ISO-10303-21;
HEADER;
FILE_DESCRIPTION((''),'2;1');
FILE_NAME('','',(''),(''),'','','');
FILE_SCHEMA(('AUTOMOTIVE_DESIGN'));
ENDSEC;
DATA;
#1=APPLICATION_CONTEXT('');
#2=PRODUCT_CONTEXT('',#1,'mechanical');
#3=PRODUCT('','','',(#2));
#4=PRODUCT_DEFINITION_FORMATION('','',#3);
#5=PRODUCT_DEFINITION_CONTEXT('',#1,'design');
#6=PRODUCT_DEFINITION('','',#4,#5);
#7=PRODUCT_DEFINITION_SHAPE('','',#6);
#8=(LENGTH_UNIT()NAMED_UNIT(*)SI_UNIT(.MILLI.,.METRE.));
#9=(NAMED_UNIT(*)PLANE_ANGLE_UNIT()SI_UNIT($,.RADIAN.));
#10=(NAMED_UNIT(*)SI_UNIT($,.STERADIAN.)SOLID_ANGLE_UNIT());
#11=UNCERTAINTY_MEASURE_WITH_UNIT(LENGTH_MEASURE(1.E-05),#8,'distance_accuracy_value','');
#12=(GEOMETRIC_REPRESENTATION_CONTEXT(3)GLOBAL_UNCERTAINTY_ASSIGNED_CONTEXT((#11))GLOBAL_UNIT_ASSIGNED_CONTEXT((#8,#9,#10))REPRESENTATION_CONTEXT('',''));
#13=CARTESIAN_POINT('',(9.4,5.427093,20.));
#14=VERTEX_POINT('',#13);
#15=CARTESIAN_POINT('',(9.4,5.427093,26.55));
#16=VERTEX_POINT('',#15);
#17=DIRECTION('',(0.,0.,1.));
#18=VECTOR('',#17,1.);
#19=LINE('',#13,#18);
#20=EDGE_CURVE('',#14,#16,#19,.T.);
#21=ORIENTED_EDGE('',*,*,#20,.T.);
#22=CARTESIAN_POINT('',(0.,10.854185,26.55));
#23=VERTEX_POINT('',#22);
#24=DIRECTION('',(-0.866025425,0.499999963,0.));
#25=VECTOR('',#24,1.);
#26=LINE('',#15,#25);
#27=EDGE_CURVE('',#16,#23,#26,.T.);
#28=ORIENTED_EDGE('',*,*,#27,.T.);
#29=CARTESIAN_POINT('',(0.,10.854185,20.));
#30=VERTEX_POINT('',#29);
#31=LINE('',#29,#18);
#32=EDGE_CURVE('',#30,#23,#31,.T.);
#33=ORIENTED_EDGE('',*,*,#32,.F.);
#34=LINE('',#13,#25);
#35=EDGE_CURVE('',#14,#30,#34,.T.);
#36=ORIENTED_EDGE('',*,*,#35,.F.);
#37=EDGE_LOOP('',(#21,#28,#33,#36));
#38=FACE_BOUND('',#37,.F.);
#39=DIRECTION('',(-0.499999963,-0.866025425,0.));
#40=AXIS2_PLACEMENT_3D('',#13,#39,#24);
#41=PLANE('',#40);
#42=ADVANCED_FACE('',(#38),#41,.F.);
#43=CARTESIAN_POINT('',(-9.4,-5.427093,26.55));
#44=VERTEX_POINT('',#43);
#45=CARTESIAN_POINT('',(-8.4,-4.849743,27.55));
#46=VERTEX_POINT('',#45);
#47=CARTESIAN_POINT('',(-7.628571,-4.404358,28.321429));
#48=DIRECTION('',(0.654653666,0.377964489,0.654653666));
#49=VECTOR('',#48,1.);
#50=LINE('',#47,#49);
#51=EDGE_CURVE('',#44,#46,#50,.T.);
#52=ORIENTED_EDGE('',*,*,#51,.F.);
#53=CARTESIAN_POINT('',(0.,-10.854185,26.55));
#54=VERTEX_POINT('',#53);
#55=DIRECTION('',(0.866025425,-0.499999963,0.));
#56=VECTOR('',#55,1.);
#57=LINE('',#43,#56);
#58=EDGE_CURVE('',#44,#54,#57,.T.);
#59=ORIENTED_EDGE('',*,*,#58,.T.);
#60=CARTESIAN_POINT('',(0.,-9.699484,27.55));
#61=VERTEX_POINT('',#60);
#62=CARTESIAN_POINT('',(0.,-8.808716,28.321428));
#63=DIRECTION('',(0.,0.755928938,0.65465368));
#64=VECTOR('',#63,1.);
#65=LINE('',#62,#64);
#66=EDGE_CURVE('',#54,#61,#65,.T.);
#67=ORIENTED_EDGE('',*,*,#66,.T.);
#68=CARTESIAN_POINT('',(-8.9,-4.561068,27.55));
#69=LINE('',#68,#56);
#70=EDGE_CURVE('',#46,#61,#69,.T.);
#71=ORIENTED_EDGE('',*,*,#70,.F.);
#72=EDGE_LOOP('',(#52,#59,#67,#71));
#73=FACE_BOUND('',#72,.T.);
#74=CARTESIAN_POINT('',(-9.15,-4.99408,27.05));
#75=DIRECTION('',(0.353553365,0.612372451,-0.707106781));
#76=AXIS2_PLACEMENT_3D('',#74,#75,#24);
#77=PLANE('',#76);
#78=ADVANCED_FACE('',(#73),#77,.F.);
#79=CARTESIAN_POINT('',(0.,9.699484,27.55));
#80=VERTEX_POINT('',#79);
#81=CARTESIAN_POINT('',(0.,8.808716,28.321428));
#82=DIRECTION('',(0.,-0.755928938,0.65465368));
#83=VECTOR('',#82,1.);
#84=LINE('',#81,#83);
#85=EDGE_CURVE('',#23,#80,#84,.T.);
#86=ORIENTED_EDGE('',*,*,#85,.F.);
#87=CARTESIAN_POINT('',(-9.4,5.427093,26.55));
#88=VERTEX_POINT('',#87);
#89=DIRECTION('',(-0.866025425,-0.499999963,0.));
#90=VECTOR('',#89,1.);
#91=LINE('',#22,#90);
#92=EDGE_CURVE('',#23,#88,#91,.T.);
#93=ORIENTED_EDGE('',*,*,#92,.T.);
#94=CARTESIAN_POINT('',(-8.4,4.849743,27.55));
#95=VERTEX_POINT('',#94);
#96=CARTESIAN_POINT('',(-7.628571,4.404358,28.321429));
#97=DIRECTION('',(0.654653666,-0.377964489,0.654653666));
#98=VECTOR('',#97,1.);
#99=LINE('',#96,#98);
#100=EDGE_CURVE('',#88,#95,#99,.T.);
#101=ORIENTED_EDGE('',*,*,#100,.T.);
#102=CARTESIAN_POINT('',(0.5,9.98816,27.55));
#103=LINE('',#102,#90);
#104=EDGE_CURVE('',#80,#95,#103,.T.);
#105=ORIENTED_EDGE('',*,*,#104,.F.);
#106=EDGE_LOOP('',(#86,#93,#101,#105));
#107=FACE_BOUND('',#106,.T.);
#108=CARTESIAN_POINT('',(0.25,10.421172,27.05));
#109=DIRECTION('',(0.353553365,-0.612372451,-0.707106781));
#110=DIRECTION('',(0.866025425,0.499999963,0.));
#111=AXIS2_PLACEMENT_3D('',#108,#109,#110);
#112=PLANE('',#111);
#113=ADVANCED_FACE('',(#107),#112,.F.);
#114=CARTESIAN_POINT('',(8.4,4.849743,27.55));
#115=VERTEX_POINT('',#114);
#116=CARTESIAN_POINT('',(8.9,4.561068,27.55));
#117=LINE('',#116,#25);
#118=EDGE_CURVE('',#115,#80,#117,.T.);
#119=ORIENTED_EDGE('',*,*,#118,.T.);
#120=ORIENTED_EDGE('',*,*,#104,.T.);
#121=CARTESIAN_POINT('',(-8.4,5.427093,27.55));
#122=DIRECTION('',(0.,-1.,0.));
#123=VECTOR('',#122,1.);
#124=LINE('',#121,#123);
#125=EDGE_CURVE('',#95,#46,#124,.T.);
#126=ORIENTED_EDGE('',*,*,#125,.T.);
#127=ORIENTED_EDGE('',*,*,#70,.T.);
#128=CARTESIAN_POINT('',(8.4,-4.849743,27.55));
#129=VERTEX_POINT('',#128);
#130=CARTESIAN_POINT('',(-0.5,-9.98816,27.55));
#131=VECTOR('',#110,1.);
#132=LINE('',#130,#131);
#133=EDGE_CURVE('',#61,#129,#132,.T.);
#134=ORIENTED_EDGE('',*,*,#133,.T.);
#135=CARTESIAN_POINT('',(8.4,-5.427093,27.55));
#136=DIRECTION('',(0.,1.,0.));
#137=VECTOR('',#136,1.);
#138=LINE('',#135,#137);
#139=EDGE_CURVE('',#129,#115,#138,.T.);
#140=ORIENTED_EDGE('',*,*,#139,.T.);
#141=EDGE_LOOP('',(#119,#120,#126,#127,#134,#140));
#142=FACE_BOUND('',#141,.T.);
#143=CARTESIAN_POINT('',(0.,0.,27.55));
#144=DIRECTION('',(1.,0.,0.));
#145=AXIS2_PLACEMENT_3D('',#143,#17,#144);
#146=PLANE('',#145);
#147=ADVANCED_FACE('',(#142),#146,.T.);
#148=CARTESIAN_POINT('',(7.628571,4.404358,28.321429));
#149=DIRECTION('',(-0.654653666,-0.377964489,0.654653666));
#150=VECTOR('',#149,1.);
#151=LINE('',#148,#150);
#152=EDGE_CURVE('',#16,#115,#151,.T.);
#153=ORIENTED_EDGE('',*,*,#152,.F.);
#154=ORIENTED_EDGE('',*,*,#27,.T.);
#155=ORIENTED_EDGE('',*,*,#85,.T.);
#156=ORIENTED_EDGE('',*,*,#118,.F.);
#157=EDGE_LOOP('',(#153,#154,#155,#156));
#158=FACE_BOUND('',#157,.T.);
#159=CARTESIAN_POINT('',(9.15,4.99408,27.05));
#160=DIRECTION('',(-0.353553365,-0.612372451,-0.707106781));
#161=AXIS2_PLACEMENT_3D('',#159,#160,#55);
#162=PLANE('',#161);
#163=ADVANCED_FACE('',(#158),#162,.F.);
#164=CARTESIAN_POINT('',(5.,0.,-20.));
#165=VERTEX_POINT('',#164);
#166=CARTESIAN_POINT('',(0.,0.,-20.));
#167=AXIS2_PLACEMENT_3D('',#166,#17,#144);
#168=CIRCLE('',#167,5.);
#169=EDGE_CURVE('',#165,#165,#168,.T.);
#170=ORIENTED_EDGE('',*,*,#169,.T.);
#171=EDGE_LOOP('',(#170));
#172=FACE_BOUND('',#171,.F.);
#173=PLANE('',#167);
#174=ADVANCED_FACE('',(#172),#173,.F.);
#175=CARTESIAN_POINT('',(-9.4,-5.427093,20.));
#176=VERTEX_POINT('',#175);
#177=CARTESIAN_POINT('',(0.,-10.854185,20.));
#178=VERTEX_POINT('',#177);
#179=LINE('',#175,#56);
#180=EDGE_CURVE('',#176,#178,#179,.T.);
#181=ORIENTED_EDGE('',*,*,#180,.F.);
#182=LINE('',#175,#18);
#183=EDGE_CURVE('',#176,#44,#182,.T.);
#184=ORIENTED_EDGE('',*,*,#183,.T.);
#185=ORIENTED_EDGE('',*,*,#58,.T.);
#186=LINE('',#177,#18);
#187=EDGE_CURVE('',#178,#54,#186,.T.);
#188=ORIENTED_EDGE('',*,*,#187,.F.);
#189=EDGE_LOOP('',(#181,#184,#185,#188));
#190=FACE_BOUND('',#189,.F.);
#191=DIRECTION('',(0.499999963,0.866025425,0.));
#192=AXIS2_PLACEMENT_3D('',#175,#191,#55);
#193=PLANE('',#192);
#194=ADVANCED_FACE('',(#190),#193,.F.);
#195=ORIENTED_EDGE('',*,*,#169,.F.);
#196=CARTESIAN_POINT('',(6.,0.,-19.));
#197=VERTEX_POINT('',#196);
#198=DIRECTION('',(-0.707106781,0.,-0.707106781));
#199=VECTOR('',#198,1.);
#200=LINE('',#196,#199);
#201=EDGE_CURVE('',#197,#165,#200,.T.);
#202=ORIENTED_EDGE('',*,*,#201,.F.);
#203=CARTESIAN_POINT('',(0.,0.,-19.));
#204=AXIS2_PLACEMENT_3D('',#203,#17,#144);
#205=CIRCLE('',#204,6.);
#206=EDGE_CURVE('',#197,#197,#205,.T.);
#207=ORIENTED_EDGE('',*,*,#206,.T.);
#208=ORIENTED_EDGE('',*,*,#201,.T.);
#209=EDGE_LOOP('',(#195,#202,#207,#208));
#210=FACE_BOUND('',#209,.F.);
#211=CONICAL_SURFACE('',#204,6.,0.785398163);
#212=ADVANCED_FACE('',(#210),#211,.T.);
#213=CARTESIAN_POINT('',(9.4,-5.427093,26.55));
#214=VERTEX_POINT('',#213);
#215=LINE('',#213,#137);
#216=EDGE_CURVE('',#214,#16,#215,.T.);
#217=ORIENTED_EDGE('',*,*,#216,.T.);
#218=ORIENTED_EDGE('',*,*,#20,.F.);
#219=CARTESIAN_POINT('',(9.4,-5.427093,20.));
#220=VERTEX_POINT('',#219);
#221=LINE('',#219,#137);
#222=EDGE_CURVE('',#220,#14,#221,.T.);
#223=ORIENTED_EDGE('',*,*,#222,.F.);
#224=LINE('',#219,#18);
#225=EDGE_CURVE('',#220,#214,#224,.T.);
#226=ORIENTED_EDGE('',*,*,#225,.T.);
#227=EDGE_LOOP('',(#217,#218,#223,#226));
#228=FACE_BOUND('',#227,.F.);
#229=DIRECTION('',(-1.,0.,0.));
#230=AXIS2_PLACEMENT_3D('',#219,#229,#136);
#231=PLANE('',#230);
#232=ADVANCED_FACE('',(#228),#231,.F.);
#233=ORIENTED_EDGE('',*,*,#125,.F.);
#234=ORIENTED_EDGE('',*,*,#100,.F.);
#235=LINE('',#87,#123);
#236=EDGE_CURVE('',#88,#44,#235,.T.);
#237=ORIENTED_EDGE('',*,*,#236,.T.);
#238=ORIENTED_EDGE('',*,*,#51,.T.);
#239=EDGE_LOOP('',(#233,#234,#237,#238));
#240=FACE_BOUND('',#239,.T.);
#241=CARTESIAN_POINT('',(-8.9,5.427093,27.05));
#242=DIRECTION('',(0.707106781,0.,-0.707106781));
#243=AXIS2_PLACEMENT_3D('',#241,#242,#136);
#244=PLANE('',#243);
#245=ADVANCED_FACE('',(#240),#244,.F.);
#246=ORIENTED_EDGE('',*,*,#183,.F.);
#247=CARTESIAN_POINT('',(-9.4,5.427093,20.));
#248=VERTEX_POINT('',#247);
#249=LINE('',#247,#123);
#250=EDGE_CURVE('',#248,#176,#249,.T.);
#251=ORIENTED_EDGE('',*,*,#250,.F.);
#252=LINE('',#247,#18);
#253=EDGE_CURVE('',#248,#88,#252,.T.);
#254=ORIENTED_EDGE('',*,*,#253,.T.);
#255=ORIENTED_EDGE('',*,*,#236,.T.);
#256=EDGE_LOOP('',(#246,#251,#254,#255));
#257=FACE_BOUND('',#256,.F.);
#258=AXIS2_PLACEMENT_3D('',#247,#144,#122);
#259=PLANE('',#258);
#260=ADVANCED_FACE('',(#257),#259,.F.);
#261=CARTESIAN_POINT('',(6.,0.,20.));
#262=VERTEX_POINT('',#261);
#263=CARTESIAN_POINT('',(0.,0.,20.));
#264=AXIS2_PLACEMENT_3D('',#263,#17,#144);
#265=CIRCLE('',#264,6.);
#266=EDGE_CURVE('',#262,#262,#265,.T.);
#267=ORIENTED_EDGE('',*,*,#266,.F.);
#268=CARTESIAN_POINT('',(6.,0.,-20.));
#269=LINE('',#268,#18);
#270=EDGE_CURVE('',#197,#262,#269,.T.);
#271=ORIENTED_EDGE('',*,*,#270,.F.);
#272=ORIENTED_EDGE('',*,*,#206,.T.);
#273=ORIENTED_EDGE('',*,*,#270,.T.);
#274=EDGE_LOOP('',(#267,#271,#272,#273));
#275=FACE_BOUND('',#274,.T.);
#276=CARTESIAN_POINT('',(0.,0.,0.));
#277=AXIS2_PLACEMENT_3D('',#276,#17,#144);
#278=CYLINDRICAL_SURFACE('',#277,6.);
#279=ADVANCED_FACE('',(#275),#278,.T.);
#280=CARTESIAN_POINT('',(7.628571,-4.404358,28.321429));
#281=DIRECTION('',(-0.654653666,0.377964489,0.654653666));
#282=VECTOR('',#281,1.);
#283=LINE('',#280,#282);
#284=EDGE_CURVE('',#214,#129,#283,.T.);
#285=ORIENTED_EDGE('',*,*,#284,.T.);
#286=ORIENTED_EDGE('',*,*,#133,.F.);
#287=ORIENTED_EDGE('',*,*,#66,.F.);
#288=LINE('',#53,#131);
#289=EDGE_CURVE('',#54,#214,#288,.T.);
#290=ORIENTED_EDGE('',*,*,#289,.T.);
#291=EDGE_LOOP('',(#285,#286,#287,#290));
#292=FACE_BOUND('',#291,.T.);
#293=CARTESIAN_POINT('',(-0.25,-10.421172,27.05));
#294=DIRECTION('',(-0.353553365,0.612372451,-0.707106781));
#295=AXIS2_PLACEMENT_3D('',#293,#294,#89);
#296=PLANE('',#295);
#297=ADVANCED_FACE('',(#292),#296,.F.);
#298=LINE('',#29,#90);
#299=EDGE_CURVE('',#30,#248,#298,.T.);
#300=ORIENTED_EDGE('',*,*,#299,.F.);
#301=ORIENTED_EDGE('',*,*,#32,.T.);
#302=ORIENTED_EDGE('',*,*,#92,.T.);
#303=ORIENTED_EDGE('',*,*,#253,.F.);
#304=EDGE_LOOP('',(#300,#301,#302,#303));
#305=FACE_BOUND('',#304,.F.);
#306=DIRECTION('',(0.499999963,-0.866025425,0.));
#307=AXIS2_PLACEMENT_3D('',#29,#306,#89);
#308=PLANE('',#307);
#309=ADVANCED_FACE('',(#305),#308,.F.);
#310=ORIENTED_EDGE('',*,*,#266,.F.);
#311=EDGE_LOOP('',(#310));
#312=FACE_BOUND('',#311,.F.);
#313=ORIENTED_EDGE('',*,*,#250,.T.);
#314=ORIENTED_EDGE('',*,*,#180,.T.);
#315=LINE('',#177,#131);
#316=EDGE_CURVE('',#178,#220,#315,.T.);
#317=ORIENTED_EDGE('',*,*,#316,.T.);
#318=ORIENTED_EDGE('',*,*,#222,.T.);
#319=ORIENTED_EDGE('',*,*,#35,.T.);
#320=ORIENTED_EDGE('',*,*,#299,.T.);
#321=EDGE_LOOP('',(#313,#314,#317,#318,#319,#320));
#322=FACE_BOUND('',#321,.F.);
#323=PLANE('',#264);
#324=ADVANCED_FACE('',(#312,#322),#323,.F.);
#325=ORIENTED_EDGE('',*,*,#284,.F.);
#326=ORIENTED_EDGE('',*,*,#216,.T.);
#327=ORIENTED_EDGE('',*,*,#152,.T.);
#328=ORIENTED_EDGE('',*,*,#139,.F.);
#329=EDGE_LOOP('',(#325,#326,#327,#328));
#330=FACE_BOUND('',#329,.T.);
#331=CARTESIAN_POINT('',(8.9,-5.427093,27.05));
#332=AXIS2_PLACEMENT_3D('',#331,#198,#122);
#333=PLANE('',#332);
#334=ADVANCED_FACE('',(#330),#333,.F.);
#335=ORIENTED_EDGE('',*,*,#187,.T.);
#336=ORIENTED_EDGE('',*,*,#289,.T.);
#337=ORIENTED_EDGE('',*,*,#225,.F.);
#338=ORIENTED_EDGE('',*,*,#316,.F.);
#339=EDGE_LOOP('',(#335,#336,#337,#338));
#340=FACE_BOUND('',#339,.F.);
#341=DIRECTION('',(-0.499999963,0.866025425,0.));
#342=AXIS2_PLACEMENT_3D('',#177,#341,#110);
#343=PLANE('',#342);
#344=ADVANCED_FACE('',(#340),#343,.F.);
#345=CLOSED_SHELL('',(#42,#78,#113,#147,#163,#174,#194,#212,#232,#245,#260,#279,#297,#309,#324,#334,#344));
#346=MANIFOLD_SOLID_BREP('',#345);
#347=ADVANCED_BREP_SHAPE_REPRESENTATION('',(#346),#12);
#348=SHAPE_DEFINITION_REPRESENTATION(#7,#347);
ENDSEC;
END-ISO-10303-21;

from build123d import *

# Parameters (mm, degrees)
F0_R     = 6
F1_DEPTH = 20
F3_DEPTH = 7.55
F4_SIZE  = 1
F5_SIZE  = 1


with BuildPart() as f1:
    # F0 (on Top) → F1 (new body, symmetric)
    with BuildSketch(Plane.XY):
        Circle(F0_R)
    extrude(amount=F1_DEPTH, both=True)

    # F2 (on face) → F3 (join)
    with BuildSketch(Plane.XY.offset(20)):
        Polygon((0, 10.854185), (-9.4, 5.427093), (-9.4, -5.427093), (0, -10.854185), (9.4, -5.427093), (9.4, 5.427093), align=None)
    extrude(amount=F3_DEPTH)

    # F4
    f4_edges = [f1.edges().sort_by_distance(p)[0] for p in [
        (-6, 0, -20),
    ]]
    chamfer(f4_edges, length=F4_SIZE)

    # F5
    f5_edges = [f1.edges().sort_by_distance(p)[0] for p in [
        (4.7, 8.140639, 27.55),
        (-4.7, 8.140639, 27.55),
        (-9.4, 0, 27.55),
        (-4.7, -8.140639, 27.55),
        (4.7, -8.140639, 27.55),
        (9.4, 0, 27.55),
    ]]
    chamfer(f5_edges, length=F5_SIZE)


solid = f1.part
